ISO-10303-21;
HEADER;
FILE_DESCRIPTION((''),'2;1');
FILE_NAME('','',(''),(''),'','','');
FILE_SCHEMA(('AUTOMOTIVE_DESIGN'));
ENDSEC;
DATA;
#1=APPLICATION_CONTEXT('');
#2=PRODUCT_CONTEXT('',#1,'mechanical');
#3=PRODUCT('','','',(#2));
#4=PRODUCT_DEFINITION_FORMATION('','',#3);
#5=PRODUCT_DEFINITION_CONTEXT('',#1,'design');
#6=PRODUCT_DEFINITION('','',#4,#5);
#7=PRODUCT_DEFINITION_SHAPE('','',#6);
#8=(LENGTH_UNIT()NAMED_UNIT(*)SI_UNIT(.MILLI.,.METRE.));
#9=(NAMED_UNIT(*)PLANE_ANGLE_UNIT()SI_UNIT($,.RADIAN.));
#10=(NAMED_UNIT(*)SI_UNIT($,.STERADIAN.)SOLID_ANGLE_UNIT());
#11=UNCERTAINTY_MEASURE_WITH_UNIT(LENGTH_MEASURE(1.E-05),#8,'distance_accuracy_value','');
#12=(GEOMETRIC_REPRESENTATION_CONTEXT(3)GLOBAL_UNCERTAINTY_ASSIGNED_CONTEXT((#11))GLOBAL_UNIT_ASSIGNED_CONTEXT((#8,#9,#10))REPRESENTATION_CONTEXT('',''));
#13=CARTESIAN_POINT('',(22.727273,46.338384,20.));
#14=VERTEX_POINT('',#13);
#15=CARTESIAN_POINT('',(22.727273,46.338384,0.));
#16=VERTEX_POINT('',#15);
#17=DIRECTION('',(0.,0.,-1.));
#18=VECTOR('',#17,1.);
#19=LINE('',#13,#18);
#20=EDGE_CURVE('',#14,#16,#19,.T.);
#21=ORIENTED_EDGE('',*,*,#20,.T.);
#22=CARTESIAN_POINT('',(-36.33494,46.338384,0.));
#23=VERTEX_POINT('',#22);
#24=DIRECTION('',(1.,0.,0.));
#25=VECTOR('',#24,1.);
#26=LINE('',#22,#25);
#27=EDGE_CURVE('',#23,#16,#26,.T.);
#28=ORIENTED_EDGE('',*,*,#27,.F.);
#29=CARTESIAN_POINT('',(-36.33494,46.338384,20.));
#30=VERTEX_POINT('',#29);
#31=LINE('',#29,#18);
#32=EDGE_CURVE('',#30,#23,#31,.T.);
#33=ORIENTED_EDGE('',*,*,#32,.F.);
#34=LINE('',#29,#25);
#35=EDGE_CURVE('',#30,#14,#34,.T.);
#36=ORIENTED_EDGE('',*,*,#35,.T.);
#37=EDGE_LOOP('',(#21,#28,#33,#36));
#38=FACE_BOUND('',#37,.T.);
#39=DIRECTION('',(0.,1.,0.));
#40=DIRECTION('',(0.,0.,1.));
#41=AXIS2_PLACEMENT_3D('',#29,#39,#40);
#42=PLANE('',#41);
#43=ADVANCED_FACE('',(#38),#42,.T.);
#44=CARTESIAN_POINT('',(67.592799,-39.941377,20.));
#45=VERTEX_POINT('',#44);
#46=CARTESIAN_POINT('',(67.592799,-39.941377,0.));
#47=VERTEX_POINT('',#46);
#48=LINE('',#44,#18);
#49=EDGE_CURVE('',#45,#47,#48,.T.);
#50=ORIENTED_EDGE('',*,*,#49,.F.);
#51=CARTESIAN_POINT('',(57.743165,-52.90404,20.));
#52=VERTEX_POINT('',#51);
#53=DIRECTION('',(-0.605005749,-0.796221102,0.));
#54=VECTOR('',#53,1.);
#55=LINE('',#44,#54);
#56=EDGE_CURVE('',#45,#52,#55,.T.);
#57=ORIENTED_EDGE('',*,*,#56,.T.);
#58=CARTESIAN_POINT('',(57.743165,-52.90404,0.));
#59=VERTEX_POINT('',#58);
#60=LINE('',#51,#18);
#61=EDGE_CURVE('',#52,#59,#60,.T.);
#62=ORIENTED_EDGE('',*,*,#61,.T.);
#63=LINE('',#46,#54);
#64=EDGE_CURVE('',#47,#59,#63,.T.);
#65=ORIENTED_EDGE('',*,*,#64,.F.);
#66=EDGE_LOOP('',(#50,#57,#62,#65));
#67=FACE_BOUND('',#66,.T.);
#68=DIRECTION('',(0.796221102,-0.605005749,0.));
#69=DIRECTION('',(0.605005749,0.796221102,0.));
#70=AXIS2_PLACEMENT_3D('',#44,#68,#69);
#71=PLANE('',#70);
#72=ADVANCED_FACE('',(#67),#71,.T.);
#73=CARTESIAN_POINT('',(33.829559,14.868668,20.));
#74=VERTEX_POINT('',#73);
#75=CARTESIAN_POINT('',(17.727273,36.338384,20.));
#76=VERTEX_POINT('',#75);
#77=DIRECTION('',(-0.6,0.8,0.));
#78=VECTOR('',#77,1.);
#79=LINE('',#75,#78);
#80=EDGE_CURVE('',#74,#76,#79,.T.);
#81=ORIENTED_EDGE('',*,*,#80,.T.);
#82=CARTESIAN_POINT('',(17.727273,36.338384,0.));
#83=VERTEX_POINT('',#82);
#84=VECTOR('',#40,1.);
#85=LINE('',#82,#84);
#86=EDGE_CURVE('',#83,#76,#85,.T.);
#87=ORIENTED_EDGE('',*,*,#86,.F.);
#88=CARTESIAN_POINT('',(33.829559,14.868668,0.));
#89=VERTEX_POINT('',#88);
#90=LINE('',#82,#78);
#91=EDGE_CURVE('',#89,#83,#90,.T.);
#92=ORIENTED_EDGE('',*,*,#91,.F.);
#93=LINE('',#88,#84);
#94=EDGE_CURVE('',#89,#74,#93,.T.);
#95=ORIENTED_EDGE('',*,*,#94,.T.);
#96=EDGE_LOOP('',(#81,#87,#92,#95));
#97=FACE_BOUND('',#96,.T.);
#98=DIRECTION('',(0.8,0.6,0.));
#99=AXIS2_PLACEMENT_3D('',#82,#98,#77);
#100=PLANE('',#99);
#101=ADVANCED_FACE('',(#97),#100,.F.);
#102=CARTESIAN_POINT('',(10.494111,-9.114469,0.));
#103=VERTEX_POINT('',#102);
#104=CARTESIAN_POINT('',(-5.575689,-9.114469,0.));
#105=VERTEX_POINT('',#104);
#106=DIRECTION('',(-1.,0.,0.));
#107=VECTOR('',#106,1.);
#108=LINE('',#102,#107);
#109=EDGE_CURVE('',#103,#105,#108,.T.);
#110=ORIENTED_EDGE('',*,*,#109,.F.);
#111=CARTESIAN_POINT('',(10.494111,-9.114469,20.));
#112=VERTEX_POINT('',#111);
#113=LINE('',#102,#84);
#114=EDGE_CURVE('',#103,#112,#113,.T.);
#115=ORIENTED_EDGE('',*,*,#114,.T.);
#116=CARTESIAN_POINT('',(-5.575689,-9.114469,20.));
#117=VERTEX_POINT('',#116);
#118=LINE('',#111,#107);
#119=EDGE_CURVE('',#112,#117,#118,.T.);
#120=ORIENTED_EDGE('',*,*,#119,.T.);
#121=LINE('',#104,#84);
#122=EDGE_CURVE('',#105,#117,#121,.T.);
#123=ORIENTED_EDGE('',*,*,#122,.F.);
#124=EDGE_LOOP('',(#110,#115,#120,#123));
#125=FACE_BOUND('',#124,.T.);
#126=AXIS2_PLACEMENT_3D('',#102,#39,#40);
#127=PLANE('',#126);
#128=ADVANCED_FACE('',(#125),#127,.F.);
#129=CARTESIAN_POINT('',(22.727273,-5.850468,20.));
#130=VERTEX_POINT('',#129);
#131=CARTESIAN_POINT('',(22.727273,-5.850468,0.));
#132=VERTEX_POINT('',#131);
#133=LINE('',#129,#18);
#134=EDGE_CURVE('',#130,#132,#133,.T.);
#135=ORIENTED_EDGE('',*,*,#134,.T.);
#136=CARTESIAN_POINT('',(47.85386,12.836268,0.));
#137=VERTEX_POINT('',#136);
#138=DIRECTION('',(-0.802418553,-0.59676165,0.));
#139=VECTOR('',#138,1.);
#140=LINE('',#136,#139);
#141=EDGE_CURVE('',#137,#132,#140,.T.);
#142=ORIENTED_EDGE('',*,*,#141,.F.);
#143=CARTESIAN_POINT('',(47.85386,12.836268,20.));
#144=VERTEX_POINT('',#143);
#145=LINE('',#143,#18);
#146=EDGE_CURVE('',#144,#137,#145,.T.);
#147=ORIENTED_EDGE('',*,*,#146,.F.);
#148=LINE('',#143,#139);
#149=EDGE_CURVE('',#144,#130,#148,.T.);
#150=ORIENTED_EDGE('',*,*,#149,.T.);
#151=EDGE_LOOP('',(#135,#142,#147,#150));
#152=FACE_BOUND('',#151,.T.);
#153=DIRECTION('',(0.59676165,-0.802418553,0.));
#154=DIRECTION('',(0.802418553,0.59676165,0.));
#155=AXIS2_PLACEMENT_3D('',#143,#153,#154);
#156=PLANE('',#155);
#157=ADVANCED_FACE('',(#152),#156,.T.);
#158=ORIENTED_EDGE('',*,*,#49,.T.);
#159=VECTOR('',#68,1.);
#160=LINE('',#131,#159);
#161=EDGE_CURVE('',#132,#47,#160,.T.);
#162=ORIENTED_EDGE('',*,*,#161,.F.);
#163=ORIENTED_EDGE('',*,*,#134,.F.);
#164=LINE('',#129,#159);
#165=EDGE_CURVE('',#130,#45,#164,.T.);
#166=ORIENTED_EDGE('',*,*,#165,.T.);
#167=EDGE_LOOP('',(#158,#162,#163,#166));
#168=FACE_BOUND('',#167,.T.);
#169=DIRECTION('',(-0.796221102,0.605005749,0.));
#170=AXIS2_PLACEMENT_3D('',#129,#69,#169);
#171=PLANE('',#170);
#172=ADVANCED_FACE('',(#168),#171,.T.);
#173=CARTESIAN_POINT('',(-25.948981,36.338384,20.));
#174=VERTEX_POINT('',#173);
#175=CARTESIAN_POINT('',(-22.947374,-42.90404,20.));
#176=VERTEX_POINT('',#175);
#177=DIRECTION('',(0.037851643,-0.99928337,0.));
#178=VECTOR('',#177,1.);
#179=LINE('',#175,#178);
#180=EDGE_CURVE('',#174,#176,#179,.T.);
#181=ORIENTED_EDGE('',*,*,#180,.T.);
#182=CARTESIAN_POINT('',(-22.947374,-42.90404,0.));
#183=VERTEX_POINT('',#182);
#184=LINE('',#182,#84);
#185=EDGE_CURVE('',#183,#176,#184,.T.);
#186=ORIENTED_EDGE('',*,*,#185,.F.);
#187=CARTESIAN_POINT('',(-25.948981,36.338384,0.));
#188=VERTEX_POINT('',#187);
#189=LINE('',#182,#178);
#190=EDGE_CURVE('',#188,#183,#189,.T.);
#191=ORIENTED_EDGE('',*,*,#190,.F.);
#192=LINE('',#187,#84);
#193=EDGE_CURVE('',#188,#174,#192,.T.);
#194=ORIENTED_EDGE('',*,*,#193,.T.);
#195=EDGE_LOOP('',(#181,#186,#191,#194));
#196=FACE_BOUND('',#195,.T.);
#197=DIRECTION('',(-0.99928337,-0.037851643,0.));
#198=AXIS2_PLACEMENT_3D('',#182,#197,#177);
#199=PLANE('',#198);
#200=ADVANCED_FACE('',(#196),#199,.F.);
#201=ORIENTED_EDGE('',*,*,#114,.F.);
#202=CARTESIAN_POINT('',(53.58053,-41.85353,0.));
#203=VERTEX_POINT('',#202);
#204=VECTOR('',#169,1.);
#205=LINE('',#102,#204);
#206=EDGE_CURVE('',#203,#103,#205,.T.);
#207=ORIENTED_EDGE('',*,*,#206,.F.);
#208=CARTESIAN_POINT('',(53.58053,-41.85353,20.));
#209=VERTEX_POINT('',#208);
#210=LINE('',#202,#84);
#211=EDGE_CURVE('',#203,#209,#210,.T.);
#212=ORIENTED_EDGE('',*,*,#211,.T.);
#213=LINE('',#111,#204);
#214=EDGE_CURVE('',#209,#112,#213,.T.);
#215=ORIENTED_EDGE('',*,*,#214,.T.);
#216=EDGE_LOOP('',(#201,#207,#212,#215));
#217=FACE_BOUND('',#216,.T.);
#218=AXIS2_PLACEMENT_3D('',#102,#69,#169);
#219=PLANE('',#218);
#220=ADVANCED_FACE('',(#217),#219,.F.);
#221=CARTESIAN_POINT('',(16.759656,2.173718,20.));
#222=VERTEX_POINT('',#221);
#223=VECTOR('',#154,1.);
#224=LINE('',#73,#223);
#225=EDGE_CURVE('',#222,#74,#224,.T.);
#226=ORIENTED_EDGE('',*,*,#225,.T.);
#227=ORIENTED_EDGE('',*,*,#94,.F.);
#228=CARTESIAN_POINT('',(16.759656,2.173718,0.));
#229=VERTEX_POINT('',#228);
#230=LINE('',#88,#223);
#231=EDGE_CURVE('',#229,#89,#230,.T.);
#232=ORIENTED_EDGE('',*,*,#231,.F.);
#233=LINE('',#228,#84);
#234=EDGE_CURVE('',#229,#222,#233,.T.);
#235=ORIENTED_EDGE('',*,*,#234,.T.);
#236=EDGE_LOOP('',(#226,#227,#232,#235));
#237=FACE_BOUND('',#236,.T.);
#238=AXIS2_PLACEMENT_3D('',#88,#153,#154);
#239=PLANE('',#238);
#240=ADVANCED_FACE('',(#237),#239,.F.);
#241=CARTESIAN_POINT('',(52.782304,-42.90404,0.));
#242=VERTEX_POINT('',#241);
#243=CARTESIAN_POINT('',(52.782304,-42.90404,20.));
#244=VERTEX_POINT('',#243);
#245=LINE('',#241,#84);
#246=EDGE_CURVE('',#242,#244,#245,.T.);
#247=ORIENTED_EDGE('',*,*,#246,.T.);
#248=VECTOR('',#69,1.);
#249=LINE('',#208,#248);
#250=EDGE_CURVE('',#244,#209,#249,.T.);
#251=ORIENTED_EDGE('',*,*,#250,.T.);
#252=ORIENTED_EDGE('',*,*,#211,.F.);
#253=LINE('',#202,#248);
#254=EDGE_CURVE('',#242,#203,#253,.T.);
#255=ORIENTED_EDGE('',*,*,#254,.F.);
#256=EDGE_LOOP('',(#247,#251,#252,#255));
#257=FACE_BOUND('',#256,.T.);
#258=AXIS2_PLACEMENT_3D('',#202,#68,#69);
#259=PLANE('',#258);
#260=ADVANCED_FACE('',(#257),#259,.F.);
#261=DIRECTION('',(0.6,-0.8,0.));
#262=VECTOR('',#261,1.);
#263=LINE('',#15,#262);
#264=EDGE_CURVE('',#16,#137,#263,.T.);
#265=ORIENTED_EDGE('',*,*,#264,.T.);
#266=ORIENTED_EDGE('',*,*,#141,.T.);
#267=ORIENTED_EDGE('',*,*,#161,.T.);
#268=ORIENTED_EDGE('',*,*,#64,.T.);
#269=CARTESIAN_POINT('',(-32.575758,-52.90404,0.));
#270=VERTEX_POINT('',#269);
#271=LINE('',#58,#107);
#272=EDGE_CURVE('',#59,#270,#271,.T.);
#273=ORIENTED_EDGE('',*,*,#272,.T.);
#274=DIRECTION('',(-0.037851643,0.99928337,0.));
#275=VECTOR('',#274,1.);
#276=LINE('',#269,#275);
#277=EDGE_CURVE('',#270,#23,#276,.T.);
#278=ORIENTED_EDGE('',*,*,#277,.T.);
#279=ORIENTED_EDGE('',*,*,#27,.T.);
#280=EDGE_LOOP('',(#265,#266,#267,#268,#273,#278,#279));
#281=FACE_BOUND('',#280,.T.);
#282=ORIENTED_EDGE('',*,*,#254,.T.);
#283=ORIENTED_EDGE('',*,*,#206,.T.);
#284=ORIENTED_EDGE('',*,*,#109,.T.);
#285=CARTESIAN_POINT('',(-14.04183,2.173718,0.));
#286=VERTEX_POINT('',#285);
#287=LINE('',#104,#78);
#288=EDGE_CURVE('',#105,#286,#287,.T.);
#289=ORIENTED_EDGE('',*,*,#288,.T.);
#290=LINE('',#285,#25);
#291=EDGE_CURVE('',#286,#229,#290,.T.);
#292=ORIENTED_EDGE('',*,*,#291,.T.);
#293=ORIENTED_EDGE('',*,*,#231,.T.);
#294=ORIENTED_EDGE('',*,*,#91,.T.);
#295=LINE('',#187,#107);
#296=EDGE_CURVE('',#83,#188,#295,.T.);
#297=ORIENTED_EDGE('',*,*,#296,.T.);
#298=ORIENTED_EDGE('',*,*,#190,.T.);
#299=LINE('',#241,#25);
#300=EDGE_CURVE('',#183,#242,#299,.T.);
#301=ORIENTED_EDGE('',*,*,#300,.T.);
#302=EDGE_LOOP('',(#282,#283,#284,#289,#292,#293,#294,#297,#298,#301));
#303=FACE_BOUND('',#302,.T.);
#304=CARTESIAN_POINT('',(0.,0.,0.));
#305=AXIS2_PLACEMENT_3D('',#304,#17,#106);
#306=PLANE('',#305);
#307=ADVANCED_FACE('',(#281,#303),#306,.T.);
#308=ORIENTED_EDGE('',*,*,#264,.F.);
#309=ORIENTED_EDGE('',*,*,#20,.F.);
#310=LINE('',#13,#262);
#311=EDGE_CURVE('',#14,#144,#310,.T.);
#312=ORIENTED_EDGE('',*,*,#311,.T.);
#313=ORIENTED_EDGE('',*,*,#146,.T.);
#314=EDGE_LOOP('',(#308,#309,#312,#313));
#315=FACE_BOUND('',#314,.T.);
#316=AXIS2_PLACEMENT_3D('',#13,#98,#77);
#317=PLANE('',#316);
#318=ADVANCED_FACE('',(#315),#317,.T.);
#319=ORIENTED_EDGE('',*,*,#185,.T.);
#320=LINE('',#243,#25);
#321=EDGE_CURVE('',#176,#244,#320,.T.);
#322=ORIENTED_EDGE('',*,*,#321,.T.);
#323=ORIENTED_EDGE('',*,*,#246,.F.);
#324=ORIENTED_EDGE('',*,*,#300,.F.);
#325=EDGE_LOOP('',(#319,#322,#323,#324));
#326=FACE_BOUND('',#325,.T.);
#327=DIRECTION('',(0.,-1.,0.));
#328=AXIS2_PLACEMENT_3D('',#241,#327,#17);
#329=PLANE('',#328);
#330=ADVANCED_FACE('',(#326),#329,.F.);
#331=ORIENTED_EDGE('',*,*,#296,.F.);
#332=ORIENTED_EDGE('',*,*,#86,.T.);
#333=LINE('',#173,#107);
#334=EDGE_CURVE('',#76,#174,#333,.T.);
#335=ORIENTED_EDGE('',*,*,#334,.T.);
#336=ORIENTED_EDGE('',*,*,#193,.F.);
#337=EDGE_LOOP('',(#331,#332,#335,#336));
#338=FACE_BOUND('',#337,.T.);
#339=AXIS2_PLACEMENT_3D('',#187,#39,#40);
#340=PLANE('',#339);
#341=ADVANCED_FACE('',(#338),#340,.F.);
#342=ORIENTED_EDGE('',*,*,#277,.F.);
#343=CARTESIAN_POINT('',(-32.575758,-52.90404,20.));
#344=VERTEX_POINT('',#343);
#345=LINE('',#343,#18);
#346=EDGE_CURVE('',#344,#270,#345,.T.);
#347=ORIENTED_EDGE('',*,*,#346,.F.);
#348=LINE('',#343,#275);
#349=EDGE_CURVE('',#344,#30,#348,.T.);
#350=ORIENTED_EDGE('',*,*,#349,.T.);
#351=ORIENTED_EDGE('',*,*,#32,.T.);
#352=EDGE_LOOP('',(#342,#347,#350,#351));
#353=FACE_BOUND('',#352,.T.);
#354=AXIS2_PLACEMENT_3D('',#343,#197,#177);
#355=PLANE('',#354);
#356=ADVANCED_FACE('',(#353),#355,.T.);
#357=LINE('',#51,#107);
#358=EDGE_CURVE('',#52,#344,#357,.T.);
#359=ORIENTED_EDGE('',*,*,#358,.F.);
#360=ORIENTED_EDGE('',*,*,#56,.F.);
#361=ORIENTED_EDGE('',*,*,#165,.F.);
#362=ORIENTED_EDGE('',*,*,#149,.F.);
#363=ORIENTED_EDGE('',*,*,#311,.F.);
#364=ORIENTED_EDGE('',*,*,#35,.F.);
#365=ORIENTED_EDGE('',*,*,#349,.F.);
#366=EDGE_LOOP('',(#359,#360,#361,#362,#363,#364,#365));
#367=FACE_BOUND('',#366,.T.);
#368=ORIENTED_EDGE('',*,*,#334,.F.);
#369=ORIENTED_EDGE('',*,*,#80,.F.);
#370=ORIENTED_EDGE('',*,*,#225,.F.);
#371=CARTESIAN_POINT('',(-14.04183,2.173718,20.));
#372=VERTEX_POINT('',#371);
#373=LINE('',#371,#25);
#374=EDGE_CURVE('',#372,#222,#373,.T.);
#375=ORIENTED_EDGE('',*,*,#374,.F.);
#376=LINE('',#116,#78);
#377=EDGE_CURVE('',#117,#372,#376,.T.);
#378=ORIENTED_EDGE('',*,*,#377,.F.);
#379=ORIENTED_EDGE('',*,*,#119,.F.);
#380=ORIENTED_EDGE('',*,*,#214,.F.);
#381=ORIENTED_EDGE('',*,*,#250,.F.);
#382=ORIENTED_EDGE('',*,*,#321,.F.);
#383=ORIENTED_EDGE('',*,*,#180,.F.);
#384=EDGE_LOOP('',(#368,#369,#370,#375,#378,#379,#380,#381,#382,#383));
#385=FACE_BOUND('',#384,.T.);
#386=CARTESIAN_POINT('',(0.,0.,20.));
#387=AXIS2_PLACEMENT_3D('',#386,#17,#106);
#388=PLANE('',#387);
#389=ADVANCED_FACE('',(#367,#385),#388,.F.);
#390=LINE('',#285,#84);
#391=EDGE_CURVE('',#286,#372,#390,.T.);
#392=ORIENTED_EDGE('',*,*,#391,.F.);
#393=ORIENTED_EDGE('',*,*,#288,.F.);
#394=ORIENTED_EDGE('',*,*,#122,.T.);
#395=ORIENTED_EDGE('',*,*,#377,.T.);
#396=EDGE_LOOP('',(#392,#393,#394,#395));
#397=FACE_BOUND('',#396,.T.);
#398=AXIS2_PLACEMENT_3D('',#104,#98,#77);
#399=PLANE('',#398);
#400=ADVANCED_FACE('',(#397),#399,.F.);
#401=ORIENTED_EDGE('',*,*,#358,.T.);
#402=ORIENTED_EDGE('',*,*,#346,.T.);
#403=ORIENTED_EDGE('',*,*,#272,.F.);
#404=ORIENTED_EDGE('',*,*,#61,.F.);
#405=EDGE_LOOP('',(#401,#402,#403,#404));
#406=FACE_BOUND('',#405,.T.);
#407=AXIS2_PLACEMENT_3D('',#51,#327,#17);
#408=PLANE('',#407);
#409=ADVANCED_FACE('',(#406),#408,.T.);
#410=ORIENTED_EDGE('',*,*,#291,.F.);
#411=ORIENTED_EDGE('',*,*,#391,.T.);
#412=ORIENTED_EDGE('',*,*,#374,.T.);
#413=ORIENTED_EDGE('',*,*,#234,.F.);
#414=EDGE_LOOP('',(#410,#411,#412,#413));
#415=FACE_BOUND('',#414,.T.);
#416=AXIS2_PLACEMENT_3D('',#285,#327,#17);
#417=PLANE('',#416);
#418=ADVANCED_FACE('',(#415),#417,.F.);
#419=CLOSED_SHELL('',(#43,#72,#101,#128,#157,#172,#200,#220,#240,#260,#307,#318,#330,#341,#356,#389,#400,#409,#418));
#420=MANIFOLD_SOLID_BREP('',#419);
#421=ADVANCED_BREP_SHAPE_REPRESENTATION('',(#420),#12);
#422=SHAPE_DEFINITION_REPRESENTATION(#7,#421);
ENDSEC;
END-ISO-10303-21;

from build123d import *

# Parameters (mm, degrees)
BOSS_EXTRUDE4_DEPTH = 20
CUT_EXTRUDE1_DEPTH  = 89.134124702


with BuildPart() as part:
    # Sketch1 → Boss-Extrude4 (new body)
    with BuildSketch(Plane.XY):
        Polygon((-32.575757576, -52.904040404), (-36.334940312, 46.338383838), (22.727272727, 46.338383838), (47.853859566, 12.836268054), (22.727272727, -5.850467639), (67.592798773, -39.94137673), (57.74316526, -52.904040404), align=None)
    extrude(amount=BOSS_EXTRUDE4_DEPTH)

    # Sketch3 → Cut-Extrude1 (cut, through all)
    with BuildSketch(Plane.XY.offset(20)):
        Polygon((10.494111386, -9.114469372), (-5.575689301, -9.114469372), (-14.041829745, 2.173717887), (16.759656232, 2.173717887), (33.829559486, 14.868668159), (17.727272727, 36.338383838), (-25.948980992, 36.338383838), (-22.947374013, -42.904040404), (52.782303891, -42.904040404), (53.580530259, -41.853530257), align=None)
    extrude(amount=-CUT_EXTRUDE1_DEPTH, mode=Mode.SUBTRACT)


solid = part.part
